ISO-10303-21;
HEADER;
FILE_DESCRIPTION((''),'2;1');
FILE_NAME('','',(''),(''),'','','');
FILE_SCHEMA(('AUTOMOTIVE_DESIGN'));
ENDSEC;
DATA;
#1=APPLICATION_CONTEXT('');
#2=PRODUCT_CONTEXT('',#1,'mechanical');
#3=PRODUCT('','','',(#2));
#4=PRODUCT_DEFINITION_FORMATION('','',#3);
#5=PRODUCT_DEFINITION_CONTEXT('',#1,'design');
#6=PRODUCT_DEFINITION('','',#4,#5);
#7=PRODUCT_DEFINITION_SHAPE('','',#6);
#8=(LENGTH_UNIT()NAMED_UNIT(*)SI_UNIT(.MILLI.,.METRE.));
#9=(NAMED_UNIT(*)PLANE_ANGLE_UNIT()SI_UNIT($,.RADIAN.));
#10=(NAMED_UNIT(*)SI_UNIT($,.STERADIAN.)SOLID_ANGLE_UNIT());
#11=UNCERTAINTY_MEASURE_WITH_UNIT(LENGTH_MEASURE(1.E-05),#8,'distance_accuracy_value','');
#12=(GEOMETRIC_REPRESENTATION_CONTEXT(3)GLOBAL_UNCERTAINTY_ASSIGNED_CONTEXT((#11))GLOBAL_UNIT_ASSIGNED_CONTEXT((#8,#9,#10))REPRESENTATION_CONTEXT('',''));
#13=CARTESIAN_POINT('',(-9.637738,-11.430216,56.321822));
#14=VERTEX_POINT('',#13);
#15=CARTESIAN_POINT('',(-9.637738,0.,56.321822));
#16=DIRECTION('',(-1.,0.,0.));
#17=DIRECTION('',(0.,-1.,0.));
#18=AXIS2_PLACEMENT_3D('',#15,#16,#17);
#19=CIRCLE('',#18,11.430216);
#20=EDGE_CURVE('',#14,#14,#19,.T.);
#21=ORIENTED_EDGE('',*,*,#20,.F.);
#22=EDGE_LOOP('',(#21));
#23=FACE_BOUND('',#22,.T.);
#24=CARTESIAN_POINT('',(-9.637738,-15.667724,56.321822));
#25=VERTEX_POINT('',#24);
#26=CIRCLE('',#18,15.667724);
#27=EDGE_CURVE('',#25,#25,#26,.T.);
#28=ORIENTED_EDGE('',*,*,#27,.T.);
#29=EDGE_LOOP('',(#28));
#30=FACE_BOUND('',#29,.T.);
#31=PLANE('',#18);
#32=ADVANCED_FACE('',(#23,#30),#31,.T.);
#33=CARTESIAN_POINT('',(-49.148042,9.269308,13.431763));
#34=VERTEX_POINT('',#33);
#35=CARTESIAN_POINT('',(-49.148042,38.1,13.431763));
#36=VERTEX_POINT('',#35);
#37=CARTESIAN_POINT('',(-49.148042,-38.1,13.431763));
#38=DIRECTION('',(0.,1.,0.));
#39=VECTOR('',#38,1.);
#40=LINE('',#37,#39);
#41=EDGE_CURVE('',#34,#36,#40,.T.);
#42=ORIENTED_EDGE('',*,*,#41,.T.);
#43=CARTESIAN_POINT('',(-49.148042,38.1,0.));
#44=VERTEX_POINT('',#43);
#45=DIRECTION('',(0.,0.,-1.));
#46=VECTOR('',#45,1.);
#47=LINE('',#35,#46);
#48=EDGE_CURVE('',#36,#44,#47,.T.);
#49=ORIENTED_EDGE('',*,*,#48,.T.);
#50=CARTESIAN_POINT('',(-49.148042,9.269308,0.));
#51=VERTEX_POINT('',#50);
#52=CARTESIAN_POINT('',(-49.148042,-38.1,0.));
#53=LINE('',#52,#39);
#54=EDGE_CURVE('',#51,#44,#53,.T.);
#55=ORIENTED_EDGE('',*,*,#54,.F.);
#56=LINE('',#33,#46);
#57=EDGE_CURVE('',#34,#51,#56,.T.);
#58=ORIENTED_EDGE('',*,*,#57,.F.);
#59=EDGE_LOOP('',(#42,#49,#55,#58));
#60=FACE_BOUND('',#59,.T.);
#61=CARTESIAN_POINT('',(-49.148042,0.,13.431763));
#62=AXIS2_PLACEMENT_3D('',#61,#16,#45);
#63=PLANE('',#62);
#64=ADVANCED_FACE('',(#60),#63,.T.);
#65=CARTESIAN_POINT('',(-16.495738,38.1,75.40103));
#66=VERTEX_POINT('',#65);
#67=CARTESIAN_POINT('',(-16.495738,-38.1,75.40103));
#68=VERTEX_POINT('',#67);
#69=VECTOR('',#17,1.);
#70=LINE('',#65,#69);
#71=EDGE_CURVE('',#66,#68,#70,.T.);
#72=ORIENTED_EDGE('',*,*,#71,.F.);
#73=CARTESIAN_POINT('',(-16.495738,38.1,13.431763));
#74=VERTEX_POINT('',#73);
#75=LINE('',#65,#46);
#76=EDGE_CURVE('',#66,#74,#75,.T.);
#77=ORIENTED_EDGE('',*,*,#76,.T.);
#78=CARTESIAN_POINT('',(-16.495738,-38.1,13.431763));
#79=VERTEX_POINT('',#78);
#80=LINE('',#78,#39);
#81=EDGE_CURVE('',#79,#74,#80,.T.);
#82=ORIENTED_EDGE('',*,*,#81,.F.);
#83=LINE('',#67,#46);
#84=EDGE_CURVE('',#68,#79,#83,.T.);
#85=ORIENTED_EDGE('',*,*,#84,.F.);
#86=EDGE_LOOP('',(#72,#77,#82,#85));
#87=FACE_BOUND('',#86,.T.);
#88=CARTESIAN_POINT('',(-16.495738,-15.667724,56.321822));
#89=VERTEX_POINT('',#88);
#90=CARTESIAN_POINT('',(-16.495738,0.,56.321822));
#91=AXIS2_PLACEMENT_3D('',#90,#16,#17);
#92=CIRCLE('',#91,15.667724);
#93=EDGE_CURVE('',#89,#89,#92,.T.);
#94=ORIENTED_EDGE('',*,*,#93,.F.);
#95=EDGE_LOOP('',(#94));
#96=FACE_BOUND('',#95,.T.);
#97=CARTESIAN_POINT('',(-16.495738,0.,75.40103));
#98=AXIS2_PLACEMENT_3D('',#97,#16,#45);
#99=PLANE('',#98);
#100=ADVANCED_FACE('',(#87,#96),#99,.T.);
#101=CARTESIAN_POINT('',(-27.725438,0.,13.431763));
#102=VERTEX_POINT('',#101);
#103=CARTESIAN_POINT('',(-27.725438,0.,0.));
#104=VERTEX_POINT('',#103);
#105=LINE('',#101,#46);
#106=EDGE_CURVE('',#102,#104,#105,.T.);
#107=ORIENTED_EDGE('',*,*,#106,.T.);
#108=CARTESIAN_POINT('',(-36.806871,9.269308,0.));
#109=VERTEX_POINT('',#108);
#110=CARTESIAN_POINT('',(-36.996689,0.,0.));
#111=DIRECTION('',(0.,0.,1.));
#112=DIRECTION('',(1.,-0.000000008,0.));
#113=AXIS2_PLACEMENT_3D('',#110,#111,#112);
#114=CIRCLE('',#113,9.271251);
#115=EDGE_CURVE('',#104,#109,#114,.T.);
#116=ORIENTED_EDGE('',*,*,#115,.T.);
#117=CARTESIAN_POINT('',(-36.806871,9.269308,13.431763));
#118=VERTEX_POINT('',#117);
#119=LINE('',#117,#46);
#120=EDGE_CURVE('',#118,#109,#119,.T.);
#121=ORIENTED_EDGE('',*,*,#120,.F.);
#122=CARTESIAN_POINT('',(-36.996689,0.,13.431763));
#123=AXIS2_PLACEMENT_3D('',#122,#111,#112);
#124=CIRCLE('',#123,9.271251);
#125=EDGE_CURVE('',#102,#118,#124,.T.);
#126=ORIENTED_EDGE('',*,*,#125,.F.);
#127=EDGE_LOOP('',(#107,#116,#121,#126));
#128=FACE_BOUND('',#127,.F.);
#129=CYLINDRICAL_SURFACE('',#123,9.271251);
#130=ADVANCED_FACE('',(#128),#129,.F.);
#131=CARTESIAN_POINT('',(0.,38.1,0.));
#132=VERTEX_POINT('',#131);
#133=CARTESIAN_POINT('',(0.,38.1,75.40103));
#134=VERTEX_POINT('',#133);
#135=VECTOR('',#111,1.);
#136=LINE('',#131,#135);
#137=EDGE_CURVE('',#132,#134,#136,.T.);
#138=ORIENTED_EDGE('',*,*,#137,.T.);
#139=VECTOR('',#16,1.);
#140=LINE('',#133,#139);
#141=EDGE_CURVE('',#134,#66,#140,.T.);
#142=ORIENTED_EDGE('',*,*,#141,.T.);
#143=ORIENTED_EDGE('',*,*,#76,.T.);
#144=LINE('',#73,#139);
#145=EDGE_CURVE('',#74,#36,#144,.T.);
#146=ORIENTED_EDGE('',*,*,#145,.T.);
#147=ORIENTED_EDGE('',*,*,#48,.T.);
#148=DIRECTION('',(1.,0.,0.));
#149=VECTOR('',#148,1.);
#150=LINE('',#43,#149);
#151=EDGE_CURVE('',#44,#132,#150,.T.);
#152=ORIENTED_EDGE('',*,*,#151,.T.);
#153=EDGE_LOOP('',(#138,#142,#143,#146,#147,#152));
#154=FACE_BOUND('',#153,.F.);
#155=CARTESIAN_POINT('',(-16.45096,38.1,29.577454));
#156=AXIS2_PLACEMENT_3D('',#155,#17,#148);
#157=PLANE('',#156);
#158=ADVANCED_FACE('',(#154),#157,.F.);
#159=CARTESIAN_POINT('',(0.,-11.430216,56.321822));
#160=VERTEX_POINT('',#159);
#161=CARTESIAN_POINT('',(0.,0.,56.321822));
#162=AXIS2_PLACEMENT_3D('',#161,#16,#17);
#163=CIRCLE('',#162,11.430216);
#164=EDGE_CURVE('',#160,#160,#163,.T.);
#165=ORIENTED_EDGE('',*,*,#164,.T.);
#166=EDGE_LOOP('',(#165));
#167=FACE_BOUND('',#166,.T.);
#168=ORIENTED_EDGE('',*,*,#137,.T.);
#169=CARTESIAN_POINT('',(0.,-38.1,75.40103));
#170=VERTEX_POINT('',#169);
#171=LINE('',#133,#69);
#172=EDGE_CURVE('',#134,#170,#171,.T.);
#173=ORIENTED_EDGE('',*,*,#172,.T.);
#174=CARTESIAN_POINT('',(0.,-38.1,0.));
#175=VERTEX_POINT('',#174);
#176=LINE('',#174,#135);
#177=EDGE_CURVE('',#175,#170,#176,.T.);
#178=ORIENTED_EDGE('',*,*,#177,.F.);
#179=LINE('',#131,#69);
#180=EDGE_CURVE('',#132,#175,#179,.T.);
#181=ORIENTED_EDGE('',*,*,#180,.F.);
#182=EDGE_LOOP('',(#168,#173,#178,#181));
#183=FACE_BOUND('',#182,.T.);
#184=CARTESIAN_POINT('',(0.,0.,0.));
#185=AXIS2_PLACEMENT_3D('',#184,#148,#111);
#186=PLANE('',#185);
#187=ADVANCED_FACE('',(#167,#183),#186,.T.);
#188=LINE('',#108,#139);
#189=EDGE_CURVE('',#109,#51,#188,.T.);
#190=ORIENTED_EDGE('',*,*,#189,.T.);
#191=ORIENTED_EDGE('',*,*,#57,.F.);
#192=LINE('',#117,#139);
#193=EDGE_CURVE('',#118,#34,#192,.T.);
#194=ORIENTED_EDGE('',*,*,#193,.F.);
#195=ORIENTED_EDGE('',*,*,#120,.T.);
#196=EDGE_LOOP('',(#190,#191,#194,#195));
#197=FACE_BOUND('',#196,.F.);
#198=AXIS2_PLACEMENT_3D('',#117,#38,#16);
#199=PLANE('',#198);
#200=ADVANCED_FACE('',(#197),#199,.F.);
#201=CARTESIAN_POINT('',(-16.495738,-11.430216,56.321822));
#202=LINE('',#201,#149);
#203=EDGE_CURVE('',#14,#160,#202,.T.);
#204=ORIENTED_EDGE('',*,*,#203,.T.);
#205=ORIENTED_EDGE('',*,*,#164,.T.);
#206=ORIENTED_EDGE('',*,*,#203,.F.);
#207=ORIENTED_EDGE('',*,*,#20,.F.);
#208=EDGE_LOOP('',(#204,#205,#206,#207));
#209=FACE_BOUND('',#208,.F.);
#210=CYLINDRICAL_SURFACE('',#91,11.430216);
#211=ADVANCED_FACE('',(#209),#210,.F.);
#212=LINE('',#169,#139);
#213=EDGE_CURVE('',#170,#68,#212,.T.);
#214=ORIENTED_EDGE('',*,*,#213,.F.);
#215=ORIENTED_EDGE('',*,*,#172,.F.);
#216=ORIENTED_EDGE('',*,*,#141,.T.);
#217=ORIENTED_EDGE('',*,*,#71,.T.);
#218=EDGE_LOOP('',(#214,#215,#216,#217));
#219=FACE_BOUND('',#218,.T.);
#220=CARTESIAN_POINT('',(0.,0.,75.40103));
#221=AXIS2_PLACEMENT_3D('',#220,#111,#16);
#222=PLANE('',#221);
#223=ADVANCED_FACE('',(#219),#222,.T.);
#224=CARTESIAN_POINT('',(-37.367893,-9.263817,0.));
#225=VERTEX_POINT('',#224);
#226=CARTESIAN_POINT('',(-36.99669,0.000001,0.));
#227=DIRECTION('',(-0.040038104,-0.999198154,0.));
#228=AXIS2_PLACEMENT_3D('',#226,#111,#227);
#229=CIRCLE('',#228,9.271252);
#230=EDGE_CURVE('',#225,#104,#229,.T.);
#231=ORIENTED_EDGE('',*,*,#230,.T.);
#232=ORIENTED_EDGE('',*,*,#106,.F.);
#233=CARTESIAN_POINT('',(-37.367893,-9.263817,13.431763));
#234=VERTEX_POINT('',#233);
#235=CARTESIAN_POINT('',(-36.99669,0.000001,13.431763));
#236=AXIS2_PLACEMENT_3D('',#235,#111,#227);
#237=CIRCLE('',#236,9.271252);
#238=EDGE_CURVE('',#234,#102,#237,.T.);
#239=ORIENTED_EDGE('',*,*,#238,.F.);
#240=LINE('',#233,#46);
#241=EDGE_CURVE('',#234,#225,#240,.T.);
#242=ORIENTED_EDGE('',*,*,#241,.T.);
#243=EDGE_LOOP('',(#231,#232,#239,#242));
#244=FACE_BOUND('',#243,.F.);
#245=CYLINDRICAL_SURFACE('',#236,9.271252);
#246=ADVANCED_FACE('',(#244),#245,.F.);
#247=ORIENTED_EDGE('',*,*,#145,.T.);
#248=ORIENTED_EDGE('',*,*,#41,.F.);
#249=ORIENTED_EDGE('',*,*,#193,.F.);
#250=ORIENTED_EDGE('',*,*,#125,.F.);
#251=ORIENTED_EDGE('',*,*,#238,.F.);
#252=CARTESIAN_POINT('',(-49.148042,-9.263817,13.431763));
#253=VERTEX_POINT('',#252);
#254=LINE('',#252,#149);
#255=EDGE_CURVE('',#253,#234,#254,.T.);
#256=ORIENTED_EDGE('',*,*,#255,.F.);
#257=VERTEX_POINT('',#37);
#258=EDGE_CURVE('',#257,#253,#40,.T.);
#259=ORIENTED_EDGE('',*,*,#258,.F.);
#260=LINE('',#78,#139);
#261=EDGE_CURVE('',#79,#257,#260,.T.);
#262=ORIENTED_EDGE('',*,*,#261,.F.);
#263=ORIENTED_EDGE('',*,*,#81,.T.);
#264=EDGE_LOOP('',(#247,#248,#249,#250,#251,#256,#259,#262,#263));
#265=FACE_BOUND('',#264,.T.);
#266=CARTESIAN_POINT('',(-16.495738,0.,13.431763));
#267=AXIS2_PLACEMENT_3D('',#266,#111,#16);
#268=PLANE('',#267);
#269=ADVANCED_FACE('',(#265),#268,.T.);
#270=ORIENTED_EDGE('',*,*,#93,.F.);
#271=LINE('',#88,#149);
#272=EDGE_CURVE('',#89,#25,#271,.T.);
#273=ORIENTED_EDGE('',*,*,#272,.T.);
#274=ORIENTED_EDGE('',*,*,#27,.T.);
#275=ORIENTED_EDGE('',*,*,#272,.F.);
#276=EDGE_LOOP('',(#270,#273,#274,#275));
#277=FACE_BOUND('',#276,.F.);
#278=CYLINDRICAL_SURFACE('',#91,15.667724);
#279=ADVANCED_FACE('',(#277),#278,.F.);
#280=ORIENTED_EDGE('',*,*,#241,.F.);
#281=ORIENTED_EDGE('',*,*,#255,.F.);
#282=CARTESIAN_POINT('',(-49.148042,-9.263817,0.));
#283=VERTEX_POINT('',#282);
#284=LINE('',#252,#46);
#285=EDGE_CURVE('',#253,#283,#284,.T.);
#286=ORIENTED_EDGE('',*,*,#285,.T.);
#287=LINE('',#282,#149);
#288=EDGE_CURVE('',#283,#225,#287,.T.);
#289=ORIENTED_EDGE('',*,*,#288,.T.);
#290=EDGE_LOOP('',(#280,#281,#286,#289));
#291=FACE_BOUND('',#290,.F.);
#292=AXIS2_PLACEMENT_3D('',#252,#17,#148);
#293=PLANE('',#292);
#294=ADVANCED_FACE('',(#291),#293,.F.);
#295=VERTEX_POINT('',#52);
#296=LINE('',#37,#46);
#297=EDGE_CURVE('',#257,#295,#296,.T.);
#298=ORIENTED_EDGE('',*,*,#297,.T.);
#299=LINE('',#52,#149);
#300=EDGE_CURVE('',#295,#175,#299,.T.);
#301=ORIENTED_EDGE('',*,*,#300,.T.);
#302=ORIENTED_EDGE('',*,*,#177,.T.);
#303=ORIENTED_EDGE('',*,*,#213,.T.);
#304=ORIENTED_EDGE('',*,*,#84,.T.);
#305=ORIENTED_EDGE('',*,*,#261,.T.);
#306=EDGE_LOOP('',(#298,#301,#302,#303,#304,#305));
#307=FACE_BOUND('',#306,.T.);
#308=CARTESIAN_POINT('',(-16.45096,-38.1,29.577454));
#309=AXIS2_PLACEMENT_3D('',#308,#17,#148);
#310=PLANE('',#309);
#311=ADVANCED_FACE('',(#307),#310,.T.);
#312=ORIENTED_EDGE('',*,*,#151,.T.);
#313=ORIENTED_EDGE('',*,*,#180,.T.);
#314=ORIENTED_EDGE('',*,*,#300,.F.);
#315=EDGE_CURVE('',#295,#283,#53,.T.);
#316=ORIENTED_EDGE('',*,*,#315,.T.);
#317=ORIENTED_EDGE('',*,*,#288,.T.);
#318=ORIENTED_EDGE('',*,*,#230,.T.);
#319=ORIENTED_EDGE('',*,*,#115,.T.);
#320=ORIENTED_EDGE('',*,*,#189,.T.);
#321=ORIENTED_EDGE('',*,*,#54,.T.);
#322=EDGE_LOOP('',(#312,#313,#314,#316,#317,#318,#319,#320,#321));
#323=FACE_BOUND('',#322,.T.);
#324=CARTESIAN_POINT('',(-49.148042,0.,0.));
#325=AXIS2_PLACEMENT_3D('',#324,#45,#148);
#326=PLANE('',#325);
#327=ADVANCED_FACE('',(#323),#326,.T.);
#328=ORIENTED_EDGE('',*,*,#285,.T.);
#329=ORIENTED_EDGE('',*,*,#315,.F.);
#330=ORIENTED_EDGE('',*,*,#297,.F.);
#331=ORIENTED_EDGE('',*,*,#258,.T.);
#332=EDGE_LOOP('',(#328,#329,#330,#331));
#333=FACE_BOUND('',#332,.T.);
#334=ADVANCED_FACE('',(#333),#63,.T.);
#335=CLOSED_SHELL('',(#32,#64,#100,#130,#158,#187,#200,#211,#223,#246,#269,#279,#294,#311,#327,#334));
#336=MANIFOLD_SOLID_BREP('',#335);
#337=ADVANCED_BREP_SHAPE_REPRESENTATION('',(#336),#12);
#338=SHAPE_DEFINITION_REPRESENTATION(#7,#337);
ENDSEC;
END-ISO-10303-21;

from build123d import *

# Parameters (mm, degrees)
F1_DEPTH = 38.1
F2_R     = 11.430216
F3_DEPTH = 16.495738
F4_R     = 15.667724
F4_R_2   = 11.430216
F5_DEPTH = 6.858
F7_DEPTH = 13.431763


with BuildPart() as f1:
    # F0 (on Front) → F1 (new body, symmetric)
    with BuildSketch(Plane.XZ):
        Polygon((-49.148042, 0), (0, 0), (0, 75.40103), (-16.495738, 75.40103), (-16.495738, 13.431763), (-49.148042, 13.431763), align=None)
    extrude(amount=F1_DEPTH, both=True)

    # F2 (on face) → F3 (cut, through all)
    with BuildSketch(Plane(origin=(-16.495738, 0, 0), x_dir=(0, -1, 0), z_dir=(-1, 0, 0))):
        with Locations((0, 56.321822)):
            Circle(F2_R)
    extrude(amount=-F3_DEPTH, mode=Mode.SUBTRACT)

    # F4 (on face) → F5 (cut)
    with BuildSketch(Plane(origin=(-16.495738, 0, 0), x_dir=(0, -1, 0), z_dir=(-1, 0, 0))):
        with Locations((0, 56.321822)):
            Circle(F4_R)
        with Locations((0, 56.321822)):
            Circle(F4_R_2, mode=Mode.SUBTRACT)
    extrude(amount=-F5_DEPTH, mode=Mode.SUBTRACT)

    # F6 (on face) → F7 (cut, through all)
    with BuildSketch(Plane.XY.offset(13.431763)):
        with BuildLine():
            ThreePointArc((-37.367893, -9.263817), (-30.573506, -6.685717), (-27.725438, 0))
            ThreePointArc((-27.725438, 0), (-30.374154, 6.488307), (-36.806871, 9.269308))
            Line((-36.806871, 9.269308), (-37.186506, 9.269308))
            ThreePointArc((-37.186506, 9.269308), (-46.267496, 0.090735), (-37.367893, -9.263817))
        make_face()
        with BuildLine():
            Line((-49.148042, -9.263817), (-37.367893, -9.263817))
            ThreePointArc((-37.367893, -9.263817), (-46.267496, 0.090735), (-37.186506, 9.269308))
            Line((-37.186506, 9.269308), (-49.148042, 9.269308))
            Line((-49.148042, 9.269308), (-49.148042, -9.263817))
        make_face()
    extrude(amount=-F7_DEPTH, mode=Mode.SUBTRACT)


solid = f1.part
